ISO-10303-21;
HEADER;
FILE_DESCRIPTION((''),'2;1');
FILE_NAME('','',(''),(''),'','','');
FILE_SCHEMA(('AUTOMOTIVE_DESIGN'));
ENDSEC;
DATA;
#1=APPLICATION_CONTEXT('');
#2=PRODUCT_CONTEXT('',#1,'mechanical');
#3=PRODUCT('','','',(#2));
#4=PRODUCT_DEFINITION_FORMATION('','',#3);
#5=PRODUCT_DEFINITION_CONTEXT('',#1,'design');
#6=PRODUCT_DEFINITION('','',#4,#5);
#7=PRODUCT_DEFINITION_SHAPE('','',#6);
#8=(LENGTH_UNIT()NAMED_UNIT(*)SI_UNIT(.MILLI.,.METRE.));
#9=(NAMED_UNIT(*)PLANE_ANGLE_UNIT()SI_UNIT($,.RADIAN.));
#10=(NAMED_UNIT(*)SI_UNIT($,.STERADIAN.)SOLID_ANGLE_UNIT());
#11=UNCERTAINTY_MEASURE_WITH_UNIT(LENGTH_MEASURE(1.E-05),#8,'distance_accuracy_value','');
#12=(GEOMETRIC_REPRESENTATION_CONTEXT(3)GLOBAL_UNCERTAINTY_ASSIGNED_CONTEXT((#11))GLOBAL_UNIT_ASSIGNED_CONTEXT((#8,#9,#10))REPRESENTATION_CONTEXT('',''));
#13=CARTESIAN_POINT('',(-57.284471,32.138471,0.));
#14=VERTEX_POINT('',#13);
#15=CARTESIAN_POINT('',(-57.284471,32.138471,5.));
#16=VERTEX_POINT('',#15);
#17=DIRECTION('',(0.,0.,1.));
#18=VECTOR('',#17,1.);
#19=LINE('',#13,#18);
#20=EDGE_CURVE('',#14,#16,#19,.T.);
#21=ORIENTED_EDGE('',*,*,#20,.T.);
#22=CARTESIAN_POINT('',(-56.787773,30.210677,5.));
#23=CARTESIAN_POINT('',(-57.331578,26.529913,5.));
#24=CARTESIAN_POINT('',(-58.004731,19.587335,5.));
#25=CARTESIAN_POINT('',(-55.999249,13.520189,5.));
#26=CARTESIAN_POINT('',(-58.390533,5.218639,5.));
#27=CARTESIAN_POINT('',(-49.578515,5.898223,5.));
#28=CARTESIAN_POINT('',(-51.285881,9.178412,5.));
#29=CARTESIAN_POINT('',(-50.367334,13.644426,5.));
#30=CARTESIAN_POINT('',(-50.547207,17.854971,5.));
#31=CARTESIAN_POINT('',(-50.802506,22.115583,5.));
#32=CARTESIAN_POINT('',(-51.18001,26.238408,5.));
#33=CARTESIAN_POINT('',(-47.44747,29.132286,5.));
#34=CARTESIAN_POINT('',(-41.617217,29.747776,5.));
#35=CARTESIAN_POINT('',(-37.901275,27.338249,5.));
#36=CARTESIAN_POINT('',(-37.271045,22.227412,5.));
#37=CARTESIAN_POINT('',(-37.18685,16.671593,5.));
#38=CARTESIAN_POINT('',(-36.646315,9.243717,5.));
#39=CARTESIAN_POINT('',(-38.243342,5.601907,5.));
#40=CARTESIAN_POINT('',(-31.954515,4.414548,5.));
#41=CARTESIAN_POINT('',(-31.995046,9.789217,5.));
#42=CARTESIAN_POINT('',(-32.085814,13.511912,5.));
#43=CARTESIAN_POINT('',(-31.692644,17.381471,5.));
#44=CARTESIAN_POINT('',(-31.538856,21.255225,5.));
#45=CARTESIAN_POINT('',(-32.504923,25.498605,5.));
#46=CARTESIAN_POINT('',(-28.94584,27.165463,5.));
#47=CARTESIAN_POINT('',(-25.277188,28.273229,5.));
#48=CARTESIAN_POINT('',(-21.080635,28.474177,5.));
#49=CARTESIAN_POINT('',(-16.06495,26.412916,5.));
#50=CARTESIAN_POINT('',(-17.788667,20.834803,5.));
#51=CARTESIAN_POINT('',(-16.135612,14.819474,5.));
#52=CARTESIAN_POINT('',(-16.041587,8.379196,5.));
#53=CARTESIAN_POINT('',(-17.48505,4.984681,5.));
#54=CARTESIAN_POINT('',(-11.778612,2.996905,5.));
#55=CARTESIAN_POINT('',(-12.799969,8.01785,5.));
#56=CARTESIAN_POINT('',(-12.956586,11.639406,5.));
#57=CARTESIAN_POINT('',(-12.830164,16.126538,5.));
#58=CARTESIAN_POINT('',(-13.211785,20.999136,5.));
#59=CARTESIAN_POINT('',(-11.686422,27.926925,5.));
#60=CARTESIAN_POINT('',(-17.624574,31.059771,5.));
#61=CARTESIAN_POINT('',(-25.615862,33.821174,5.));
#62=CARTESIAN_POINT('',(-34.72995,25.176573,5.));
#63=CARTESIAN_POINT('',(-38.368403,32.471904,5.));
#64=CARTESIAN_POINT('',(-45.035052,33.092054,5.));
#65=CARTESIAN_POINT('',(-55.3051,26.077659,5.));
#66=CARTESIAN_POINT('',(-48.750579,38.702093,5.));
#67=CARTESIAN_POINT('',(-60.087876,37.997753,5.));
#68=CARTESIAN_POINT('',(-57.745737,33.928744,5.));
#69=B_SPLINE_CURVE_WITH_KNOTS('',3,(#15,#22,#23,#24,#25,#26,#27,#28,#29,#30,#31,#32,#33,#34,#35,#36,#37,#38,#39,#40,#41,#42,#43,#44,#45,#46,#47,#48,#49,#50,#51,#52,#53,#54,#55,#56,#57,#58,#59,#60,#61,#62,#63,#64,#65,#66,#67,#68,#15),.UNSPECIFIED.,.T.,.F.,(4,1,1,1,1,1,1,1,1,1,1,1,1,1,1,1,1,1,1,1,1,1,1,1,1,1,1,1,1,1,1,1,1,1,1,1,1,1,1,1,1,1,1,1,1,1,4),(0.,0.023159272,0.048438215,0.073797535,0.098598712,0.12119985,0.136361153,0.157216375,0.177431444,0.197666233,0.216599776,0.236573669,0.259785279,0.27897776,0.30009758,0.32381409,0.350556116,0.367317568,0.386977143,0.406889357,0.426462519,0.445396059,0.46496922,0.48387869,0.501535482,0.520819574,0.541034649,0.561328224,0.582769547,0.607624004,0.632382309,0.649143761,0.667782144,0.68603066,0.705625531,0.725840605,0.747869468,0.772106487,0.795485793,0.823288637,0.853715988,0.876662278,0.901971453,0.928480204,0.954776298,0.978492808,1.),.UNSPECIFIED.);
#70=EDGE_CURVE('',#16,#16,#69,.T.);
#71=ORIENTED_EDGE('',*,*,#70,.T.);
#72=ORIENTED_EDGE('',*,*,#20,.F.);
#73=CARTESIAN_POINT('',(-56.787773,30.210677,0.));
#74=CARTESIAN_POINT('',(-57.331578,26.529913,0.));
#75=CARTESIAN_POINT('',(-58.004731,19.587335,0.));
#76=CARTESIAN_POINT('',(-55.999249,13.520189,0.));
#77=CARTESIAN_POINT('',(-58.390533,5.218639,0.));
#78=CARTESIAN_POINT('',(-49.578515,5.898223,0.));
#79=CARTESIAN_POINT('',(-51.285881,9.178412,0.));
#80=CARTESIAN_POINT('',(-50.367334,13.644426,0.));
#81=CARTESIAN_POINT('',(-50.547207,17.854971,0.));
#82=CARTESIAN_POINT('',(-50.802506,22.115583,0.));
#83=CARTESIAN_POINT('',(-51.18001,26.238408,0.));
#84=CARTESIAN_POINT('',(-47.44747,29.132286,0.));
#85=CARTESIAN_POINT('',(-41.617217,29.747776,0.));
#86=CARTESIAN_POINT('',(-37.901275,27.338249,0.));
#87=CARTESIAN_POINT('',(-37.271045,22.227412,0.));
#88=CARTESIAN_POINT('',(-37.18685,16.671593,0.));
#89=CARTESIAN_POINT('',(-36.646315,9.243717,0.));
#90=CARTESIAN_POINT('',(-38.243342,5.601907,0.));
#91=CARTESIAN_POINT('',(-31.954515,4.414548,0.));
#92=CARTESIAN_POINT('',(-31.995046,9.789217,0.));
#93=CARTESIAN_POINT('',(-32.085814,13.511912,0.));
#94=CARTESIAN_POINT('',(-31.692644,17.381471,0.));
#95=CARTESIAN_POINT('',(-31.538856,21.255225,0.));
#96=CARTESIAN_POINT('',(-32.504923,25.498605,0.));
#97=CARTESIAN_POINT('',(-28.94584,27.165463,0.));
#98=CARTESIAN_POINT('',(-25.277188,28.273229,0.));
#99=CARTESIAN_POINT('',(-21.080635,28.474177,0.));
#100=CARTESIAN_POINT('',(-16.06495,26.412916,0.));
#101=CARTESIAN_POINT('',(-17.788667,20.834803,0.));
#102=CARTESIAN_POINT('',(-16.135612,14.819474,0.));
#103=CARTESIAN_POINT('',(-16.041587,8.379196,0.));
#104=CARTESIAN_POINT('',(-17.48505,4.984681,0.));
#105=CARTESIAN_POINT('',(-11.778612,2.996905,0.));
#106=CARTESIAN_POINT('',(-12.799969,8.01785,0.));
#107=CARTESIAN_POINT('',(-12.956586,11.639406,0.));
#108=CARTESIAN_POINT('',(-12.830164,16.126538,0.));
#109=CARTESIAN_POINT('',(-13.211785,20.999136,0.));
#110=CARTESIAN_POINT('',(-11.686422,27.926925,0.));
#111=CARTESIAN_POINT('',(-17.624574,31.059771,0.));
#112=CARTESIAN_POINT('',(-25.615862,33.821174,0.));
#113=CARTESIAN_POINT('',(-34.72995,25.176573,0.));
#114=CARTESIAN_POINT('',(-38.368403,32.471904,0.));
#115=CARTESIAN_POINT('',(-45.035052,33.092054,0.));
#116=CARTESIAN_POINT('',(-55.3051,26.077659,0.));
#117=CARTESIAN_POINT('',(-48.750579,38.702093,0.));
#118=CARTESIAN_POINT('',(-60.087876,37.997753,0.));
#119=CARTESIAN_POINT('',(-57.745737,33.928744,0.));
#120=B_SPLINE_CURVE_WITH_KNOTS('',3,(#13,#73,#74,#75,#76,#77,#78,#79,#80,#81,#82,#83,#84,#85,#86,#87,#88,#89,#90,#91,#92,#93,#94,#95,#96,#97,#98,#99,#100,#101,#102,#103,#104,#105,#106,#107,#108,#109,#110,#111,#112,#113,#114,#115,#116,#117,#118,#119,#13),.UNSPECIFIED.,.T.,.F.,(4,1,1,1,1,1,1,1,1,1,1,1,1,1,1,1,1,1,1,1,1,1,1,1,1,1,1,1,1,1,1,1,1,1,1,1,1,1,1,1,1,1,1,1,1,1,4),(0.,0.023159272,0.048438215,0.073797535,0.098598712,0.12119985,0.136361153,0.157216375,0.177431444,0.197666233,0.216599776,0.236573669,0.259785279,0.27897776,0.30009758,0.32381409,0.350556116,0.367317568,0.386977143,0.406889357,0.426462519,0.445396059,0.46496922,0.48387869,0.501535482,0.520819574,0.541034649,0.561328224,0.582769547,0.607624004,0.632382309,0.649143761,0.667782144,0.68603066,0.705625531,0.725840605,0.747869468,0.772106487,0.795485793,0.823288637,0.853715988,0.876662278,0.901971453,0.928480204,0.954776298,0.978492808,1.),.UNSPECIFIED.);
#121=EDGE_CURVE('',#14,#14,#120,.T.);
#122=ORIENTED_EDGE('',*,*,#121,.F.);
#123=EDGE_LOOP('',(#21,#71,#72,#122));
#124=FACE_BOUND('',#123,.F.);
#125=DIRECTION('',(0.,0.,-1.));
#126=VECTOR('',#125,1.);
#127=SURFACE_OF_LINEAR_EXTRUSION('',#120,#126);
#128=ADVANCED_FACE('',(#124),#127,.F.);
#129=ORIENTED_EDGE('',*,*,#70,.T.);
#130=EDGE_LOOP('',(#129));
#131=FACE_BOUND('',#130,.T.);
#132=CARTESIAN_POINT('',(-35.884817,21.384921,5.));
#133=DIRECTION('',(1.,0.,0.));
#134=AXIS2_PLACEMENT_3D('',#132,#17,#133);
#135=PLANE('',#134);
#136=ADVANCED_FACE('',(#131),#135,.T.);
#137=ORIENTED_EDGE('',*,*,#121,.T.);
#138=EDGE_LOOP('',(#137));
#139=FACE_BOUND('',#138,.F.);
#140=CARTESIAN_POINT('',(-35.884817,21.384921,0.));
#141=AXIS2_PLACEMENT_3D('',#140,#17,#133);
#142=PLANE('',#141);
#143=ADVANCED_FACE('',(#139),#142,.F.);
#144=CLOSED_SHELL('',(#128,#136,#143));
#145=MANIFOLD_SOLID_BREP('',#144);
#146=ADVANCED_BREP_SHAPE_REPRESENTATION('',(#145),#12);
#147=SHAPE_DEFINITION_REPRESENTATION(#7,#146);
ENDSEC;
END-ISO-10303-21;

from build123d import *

# Parameters (mm, degrees)
F1_DEPTH = 5


with BuildPart() as f1:
    # F0 (on Top) → F1 (new body)
    with BuildSketch(Plane.XY):
        with BuildLine():
            add(Edge.make_bspline(
                [(-57.2844706476, 32.1384705603), (-56.7877725283, 30.2106774219), (-57.3315780203, 26.529912889), (-58.0047313573, 19.5873354046), (-55.9992489684, 13.5201890426), (-58.3905325317, 5.2186393805), (-49.5785149134, 5.8982229913), (-51.2858808888, 9.1784119265), (-50.3673343145, 13.6444258708), (-50.5472065877, 17.8549706066), (-50.8025063515, 22.1155829635), (-51.1800098197, 26.2384077913), (-47.4474701552, 29.1322860884), (-41.6172173105, 29.7477762315), (-37.9012747037, 27.3382488841), (-37.2710448298, 22.2274118203), (-37.1868495611, 16.6715926895), (-36.6463153626, 9.2437166383), (-38.2433422066, 5.6019074687), (-31.9545151376, 4.4145480258), (-31.9950455084, 9.7892172342), (-32.0858138813, 13.511911552), (-31.6926437611, 17.3814713552), (-31.5388558071, 21.2552246616), (-32.5049232736, 25.4986045459), (-28.9458404744, 27.1654631386), (-25.2771876536, 28.2732292944), (-21.0806347875, 28.4741765727), (-16.0649499504, 26.4129164404), (-17.7886665006, 20.8348029604), (-16.1356115981, 14.8194742913), (-16.0415871617, 8.3791962382), (-17.4850495006, 4.9846807096), (-11.778611954, 2.9969045629), (-12.7999686797, 8.0178504542), (-12.9565860018, 11.6394057452), (-12.8301639112, 16.126537707), (-13.211785461, 20.9991364478), (-11.6864217019, 27.9269251972), (-17.6245736889, 31.0597714851), (-25.6158616717, 33.8211740409), (-34.7299495199, 25.1765734179), (-38.3684031513, 32.4719036822), (-45.0350521573, 33.0920537907), (-55.305099639, 26.0776589073), (-48.7505791381, 38.7020927363), (-60.08787591, 37.9977532922), (-57.7457365322, 33.9287435106), (-57.2844706476, 32.1384705603)],
                knots=[0, 0, 0, 0, 0.0231592718, 0.0484382153, 0.0737975351, 0.098598712, 0.1211998497, 0.1363611534, 0.1572163754, 0.1774314444, 0.1976662328, 0.2165997758, 0.2365736693, 0.2597852786, 0.2789777598, 0.3000975797, 0.3238140895, 0.3505561158, 0.3673175684, 0.3869771432, 0.406889357, 0.4264625186, 0.4453960586, 0.4649692203, 0.4838786896, 0.5015354818, 0.5208195738, 0.5410346494, 0.5613282237, 0.5827695472, 0.6076240042, 0.632382309, 0.6491437615, 0.6677821445, 0.6860306603, 0.7056255314, 0.7258406048, 0.7478694676, 0.7721064872, 0.7954857933, 0.8232886372, 0.8537159885, 0.8766622777, 0.9019714532, 0.9284802036, 0.9547762979, 0.9784928076, 1, 1, 1, 1], degree=3))
        make_face()
    extrude(amount=F1_DEPTH)


solid = f1.part
